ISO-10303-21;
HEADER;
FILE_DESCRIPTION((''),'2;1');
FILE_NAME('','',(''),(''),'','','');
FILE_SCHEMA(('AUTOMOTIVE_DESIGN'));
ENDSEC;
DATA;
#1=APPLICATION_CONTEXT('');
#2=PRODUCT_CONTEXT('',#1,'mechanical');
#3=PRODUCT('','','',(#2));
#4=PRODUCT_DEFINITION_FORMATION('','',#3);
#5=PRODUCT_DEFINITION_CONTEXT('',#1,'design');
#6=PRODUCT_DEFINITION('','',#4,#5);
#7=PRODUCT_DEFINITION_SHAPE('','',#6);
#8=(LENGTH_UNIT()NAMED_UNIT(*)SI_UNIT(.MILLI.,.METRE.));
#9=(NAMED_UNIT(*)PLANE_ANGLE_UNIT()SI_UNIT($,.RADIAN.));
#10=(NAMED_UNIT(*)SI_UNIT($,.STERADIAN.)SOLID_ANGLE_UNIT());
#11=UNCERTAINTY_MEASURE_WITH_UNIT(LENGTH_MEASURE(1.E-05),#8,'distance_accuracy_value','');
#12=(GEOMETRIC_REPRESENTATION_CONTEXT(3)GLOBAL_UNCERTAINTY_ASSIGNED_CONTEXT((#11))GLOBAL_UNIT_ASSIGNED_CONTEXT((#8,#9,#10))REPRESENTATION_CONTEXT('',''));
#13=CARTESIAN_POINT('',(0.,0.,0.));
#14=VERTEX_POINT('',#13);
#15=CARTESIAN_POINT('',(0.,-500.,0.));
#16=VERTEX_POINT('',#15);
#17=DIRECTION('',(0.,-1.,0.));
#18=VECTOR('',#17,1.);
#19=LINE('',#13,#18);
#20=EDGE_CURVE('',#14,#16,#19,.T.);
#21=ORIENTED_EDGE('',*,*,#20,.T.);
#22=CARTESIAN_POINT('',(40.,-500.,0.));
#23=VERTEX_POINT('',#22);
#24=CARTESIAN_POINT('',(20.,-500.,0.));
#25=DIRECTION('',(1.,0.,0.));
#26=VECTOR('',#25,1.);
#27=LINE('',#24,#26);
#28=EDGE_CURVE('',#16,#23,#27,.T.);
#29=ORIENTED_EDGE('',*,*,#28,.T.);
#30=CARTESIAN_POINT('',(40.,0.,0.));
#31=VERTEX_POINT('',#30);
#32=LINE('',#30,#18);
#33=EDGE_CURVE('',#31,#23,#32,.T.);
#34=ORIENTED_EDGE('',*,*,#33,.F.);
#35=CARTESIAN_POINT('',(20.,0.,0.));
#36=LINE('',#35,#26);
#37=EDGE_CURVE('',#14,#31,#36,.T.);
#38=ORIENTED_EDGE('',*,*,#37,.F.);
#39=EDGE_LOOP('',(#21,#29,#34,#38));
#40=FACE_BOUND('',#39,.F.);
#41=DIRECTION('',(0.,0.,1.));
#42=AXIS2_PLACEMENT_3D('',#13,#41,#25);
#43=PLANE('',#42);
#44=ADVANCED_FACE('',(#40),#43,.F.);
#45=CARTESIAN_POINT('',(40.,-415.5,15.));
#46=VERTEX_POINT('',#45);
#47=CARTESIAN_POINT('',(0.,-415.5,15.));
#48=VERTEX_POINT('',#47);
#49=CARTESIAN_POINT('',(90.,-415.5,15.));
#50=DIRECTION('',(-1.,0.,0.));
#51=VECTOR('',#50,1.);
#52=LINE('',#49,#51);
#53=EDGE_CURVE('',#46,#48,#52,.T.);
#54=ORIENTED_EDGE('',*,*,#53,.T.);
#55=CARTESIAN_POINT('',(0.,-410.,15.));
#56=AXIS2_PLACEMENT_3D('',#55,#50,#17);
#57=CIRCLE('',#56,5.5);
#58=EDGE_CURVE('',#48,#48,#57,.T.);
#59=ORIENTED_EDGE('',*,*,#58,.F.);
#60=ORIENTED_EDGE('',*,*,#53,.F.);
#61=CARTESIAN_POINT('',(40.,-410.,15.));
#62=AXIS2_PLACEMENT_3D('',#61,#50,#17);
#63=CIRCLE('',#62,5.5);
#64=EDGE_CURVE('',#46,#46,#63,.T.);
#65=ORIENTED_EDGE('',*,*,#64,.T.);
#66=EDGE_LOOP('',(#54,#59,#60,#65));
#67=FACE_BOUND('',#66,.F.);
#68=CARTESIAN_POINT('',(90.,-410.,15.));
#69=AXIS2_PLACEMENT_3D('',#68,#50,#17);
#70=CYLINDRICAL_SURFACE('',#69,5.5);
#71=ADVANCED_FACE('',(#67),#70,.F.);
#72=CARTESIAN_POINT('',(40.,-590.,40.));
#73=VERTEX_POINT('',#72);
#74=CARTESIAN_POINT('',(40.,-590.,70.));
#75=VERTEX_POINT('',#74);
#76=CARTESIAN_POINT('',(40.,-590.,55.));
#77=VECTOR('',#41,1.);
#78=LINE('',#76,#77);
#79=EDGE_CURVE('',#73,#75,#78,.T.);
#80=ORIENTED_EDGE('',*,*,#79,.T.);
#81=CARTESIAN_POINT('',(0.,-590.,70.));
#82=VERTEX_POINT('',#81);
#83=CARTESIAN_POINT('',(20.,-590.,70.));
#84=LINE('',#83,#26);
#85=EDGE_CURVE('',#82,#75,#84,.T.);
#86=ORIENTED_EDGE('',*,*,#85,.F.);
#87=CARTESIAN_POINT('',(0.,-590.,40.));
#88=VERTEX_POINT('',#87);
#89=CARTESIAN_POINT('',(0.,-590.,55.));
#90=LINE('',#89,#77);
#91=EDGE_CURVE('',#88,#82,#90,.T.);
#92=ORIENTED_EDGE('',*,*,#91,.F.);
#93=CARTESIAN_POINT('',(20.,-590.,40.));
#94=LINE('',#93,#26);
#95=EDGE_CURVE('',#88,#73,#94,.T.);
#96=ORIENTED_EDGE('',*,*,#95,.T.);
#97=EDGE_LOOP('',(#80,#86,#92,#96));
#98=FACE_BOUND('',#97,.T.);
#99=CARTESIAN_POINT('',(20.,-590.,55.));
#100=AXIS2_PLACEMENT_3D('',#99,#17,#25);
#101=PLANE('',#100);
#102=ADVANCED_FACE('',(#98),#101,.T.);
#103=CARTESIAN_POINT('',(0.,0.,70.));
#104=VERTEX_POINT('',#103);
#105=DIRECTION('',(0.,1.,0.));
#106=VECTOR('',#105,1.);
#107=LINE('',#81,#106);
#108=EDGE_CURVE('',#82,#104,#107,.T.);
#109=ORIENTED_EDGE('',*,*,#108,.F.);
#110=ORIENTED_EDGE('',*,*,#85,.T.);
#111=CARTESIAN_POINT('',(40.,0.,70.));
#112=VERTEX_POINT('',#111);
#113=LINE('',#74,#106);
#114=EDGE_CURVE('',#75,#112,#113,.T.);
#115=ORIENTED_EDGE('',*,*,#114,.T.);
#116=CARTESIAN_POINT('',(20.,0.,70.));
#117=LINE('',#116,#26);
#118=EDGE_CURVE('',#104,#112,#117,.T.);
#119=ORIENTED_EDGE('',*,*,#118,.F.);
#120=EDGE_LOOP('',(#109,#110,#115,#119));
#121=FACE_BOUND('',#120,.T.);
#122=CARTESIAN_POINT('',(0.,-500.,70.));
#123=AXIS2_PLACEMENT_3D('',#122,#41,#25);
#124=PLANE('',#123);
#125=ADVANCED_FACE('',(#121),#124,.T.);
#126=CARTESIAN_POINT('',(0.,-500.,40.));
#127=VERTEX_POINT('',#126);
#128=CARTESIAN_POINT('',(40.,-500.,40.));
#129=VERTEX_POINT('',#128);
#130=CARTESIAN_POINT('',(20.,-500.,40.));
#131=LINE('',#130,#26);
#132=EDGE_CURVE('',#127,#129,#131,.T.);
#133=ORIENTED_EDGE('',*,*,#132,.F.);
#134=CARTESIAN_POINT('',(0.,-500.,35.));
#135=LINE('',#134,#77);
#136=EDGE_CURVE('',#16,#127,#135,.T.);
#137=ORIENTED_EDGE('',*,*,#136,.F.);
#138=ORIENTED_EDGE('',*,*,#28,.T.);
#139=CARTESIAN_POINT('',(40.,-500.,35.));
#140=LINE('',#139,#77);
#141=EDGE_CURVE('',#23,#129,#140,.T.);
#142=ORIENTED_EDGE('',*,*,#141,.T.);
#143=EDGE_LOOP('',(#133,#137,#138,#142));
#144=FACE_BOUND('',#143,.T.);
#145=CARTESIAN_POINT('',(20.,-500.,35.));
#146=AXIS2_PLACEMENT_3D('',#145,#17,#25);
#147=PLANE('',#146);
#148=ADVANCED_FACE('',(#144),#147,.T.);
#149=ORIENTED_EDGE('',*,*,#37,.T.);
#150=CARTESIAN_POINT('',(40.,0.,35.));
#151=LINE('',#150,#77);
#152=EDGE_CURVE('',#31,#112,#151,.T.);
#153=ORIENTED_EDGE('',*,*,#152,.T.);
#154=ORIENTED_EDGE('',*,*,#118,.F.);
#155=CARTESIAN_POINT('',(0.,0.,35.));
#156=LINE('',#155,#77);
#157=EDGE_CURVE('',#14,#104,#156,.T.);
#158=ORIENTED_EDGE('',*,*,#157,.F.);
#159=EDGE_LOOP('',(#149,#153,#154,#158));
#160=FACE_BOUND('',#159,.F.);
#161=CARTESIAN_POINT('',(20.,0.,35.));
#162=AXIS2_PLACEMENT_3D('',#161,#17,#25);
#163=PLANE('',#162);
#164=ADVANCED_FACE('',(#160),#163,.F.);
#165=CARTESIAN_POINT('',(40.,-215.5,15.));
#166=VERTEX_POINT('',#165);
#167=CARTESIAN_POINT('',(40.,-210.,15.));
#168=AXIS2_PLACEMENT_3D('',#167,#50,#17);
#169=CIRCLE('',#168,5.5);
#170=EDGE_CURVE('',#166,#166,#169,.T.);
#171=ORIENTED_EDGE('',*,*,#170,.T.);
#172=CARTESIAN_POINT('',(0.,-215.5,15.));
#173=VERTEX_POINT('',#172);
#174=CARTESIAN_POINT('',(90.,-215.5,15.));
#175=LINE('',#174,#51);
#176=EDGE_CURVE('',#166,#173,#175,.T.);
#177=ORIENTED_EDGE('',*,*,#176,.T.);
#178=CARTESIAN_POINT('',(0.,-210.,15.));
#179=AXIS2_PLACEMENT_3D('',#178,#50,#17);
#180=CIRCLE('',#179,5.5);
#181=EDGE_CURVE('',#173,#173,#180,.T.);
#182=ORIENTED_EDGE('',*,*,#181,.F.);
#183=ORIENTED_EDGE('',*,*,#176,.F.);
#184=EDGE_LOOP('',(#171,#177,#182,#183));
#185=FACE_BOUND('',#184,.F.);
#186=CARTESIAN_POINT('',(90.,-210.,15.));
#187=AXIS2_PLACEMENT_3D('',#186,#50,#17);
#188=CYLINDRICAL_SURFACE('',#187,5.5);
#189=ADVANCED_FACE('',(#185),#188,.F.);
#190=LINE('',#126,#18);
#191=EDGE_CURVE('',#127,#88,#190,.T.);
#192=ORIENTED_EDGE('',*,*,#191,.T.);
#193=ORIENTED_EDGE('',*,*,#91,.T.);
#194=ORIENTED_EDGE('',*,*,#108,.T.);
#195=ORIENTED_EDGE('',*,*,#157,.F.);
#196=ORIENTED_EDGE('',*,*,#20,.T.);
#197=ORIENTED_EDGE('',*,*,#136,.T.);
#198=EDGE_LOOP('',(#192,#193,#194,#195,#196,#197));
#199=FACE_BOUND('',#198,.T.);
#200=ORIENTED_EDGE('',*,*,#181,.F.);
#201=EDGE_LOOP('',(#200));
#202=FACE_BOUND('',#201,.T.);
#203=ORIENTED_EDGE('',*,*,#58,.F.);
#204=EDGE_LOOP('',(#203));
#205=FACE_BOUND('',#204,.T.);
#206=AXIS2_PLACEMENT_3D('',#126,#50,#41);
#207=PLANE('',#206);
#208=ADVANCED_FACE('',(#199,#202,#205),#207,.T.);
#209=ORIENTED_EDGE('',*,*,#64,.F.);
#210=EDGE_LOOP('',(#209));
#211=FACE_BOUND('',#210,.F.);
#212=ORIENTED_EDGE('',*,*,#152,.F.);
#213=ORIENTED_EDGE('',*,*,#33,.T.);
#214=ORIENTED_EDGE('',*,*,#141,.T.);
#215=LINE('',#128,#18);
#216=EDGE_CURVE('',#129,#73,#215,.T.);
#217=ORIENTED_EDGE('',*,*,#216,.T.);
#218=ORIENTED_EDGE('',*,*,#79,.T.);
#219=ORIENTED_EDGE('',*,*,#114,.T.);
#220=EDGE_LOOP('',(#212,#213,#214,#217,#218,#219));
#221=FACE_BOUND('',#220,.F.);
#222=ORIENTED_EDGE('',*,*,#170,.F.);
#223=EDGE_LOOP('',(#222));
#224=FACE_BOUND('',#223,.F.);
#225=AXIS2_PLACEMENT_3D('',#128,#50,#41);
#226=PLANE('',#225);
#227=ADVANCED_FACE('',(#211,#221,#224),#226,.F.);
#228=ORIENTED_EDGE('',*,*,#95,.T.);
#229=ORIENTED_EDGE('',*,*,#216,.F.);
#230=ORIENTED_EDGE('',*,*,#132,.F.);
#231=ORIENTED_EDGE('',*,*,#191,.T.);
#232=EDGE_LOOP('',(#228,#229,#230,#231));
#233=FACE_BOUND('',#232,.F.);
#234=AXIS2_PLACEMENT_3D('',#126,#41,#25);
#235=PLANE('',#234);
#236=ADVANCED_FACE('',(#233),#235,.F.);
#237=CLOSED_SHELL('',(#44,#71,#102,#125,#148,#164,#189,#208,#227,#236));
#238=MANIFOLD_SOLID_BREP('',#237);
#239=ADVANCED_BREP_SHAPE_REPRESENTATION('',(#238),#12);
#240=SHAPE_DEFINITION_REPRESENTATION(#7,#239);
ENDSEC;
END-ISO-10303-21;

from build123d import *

# Parameters (mm, degrees)
F0_W     = 40
F0_H     = 70
F1_DEPTH = 500
F3_D     = 11
F3_DEPTH = 50
F4_W     = 40
F4_H     = 30
F5_DEPTH = 90


with BuildPart() as f1:
    # F0 (on Front) → F1 (new body)
    with BuildSketch(Plane.XZ):
        with Locations((20, 35)):
            Rectangle(F0_W, F0_H)
    extrude(amount=F1_DEPTH)

    # F3
    with Locations(Plane.YZ.offset(40)):
        with Locations((-410, 15), (-210, 15)):
            Hole(F3_D / 2, depth=F3_DEPTH)

    # F4 (on face) → F5 (join)
    with BuildSketch(Plane.XZ.offset(500)):
        with Locations((20, 55)):
            Rectangle(F4_W, F4_H)
    extrude(amount=F5_DEPTH)


solid = f1.part
